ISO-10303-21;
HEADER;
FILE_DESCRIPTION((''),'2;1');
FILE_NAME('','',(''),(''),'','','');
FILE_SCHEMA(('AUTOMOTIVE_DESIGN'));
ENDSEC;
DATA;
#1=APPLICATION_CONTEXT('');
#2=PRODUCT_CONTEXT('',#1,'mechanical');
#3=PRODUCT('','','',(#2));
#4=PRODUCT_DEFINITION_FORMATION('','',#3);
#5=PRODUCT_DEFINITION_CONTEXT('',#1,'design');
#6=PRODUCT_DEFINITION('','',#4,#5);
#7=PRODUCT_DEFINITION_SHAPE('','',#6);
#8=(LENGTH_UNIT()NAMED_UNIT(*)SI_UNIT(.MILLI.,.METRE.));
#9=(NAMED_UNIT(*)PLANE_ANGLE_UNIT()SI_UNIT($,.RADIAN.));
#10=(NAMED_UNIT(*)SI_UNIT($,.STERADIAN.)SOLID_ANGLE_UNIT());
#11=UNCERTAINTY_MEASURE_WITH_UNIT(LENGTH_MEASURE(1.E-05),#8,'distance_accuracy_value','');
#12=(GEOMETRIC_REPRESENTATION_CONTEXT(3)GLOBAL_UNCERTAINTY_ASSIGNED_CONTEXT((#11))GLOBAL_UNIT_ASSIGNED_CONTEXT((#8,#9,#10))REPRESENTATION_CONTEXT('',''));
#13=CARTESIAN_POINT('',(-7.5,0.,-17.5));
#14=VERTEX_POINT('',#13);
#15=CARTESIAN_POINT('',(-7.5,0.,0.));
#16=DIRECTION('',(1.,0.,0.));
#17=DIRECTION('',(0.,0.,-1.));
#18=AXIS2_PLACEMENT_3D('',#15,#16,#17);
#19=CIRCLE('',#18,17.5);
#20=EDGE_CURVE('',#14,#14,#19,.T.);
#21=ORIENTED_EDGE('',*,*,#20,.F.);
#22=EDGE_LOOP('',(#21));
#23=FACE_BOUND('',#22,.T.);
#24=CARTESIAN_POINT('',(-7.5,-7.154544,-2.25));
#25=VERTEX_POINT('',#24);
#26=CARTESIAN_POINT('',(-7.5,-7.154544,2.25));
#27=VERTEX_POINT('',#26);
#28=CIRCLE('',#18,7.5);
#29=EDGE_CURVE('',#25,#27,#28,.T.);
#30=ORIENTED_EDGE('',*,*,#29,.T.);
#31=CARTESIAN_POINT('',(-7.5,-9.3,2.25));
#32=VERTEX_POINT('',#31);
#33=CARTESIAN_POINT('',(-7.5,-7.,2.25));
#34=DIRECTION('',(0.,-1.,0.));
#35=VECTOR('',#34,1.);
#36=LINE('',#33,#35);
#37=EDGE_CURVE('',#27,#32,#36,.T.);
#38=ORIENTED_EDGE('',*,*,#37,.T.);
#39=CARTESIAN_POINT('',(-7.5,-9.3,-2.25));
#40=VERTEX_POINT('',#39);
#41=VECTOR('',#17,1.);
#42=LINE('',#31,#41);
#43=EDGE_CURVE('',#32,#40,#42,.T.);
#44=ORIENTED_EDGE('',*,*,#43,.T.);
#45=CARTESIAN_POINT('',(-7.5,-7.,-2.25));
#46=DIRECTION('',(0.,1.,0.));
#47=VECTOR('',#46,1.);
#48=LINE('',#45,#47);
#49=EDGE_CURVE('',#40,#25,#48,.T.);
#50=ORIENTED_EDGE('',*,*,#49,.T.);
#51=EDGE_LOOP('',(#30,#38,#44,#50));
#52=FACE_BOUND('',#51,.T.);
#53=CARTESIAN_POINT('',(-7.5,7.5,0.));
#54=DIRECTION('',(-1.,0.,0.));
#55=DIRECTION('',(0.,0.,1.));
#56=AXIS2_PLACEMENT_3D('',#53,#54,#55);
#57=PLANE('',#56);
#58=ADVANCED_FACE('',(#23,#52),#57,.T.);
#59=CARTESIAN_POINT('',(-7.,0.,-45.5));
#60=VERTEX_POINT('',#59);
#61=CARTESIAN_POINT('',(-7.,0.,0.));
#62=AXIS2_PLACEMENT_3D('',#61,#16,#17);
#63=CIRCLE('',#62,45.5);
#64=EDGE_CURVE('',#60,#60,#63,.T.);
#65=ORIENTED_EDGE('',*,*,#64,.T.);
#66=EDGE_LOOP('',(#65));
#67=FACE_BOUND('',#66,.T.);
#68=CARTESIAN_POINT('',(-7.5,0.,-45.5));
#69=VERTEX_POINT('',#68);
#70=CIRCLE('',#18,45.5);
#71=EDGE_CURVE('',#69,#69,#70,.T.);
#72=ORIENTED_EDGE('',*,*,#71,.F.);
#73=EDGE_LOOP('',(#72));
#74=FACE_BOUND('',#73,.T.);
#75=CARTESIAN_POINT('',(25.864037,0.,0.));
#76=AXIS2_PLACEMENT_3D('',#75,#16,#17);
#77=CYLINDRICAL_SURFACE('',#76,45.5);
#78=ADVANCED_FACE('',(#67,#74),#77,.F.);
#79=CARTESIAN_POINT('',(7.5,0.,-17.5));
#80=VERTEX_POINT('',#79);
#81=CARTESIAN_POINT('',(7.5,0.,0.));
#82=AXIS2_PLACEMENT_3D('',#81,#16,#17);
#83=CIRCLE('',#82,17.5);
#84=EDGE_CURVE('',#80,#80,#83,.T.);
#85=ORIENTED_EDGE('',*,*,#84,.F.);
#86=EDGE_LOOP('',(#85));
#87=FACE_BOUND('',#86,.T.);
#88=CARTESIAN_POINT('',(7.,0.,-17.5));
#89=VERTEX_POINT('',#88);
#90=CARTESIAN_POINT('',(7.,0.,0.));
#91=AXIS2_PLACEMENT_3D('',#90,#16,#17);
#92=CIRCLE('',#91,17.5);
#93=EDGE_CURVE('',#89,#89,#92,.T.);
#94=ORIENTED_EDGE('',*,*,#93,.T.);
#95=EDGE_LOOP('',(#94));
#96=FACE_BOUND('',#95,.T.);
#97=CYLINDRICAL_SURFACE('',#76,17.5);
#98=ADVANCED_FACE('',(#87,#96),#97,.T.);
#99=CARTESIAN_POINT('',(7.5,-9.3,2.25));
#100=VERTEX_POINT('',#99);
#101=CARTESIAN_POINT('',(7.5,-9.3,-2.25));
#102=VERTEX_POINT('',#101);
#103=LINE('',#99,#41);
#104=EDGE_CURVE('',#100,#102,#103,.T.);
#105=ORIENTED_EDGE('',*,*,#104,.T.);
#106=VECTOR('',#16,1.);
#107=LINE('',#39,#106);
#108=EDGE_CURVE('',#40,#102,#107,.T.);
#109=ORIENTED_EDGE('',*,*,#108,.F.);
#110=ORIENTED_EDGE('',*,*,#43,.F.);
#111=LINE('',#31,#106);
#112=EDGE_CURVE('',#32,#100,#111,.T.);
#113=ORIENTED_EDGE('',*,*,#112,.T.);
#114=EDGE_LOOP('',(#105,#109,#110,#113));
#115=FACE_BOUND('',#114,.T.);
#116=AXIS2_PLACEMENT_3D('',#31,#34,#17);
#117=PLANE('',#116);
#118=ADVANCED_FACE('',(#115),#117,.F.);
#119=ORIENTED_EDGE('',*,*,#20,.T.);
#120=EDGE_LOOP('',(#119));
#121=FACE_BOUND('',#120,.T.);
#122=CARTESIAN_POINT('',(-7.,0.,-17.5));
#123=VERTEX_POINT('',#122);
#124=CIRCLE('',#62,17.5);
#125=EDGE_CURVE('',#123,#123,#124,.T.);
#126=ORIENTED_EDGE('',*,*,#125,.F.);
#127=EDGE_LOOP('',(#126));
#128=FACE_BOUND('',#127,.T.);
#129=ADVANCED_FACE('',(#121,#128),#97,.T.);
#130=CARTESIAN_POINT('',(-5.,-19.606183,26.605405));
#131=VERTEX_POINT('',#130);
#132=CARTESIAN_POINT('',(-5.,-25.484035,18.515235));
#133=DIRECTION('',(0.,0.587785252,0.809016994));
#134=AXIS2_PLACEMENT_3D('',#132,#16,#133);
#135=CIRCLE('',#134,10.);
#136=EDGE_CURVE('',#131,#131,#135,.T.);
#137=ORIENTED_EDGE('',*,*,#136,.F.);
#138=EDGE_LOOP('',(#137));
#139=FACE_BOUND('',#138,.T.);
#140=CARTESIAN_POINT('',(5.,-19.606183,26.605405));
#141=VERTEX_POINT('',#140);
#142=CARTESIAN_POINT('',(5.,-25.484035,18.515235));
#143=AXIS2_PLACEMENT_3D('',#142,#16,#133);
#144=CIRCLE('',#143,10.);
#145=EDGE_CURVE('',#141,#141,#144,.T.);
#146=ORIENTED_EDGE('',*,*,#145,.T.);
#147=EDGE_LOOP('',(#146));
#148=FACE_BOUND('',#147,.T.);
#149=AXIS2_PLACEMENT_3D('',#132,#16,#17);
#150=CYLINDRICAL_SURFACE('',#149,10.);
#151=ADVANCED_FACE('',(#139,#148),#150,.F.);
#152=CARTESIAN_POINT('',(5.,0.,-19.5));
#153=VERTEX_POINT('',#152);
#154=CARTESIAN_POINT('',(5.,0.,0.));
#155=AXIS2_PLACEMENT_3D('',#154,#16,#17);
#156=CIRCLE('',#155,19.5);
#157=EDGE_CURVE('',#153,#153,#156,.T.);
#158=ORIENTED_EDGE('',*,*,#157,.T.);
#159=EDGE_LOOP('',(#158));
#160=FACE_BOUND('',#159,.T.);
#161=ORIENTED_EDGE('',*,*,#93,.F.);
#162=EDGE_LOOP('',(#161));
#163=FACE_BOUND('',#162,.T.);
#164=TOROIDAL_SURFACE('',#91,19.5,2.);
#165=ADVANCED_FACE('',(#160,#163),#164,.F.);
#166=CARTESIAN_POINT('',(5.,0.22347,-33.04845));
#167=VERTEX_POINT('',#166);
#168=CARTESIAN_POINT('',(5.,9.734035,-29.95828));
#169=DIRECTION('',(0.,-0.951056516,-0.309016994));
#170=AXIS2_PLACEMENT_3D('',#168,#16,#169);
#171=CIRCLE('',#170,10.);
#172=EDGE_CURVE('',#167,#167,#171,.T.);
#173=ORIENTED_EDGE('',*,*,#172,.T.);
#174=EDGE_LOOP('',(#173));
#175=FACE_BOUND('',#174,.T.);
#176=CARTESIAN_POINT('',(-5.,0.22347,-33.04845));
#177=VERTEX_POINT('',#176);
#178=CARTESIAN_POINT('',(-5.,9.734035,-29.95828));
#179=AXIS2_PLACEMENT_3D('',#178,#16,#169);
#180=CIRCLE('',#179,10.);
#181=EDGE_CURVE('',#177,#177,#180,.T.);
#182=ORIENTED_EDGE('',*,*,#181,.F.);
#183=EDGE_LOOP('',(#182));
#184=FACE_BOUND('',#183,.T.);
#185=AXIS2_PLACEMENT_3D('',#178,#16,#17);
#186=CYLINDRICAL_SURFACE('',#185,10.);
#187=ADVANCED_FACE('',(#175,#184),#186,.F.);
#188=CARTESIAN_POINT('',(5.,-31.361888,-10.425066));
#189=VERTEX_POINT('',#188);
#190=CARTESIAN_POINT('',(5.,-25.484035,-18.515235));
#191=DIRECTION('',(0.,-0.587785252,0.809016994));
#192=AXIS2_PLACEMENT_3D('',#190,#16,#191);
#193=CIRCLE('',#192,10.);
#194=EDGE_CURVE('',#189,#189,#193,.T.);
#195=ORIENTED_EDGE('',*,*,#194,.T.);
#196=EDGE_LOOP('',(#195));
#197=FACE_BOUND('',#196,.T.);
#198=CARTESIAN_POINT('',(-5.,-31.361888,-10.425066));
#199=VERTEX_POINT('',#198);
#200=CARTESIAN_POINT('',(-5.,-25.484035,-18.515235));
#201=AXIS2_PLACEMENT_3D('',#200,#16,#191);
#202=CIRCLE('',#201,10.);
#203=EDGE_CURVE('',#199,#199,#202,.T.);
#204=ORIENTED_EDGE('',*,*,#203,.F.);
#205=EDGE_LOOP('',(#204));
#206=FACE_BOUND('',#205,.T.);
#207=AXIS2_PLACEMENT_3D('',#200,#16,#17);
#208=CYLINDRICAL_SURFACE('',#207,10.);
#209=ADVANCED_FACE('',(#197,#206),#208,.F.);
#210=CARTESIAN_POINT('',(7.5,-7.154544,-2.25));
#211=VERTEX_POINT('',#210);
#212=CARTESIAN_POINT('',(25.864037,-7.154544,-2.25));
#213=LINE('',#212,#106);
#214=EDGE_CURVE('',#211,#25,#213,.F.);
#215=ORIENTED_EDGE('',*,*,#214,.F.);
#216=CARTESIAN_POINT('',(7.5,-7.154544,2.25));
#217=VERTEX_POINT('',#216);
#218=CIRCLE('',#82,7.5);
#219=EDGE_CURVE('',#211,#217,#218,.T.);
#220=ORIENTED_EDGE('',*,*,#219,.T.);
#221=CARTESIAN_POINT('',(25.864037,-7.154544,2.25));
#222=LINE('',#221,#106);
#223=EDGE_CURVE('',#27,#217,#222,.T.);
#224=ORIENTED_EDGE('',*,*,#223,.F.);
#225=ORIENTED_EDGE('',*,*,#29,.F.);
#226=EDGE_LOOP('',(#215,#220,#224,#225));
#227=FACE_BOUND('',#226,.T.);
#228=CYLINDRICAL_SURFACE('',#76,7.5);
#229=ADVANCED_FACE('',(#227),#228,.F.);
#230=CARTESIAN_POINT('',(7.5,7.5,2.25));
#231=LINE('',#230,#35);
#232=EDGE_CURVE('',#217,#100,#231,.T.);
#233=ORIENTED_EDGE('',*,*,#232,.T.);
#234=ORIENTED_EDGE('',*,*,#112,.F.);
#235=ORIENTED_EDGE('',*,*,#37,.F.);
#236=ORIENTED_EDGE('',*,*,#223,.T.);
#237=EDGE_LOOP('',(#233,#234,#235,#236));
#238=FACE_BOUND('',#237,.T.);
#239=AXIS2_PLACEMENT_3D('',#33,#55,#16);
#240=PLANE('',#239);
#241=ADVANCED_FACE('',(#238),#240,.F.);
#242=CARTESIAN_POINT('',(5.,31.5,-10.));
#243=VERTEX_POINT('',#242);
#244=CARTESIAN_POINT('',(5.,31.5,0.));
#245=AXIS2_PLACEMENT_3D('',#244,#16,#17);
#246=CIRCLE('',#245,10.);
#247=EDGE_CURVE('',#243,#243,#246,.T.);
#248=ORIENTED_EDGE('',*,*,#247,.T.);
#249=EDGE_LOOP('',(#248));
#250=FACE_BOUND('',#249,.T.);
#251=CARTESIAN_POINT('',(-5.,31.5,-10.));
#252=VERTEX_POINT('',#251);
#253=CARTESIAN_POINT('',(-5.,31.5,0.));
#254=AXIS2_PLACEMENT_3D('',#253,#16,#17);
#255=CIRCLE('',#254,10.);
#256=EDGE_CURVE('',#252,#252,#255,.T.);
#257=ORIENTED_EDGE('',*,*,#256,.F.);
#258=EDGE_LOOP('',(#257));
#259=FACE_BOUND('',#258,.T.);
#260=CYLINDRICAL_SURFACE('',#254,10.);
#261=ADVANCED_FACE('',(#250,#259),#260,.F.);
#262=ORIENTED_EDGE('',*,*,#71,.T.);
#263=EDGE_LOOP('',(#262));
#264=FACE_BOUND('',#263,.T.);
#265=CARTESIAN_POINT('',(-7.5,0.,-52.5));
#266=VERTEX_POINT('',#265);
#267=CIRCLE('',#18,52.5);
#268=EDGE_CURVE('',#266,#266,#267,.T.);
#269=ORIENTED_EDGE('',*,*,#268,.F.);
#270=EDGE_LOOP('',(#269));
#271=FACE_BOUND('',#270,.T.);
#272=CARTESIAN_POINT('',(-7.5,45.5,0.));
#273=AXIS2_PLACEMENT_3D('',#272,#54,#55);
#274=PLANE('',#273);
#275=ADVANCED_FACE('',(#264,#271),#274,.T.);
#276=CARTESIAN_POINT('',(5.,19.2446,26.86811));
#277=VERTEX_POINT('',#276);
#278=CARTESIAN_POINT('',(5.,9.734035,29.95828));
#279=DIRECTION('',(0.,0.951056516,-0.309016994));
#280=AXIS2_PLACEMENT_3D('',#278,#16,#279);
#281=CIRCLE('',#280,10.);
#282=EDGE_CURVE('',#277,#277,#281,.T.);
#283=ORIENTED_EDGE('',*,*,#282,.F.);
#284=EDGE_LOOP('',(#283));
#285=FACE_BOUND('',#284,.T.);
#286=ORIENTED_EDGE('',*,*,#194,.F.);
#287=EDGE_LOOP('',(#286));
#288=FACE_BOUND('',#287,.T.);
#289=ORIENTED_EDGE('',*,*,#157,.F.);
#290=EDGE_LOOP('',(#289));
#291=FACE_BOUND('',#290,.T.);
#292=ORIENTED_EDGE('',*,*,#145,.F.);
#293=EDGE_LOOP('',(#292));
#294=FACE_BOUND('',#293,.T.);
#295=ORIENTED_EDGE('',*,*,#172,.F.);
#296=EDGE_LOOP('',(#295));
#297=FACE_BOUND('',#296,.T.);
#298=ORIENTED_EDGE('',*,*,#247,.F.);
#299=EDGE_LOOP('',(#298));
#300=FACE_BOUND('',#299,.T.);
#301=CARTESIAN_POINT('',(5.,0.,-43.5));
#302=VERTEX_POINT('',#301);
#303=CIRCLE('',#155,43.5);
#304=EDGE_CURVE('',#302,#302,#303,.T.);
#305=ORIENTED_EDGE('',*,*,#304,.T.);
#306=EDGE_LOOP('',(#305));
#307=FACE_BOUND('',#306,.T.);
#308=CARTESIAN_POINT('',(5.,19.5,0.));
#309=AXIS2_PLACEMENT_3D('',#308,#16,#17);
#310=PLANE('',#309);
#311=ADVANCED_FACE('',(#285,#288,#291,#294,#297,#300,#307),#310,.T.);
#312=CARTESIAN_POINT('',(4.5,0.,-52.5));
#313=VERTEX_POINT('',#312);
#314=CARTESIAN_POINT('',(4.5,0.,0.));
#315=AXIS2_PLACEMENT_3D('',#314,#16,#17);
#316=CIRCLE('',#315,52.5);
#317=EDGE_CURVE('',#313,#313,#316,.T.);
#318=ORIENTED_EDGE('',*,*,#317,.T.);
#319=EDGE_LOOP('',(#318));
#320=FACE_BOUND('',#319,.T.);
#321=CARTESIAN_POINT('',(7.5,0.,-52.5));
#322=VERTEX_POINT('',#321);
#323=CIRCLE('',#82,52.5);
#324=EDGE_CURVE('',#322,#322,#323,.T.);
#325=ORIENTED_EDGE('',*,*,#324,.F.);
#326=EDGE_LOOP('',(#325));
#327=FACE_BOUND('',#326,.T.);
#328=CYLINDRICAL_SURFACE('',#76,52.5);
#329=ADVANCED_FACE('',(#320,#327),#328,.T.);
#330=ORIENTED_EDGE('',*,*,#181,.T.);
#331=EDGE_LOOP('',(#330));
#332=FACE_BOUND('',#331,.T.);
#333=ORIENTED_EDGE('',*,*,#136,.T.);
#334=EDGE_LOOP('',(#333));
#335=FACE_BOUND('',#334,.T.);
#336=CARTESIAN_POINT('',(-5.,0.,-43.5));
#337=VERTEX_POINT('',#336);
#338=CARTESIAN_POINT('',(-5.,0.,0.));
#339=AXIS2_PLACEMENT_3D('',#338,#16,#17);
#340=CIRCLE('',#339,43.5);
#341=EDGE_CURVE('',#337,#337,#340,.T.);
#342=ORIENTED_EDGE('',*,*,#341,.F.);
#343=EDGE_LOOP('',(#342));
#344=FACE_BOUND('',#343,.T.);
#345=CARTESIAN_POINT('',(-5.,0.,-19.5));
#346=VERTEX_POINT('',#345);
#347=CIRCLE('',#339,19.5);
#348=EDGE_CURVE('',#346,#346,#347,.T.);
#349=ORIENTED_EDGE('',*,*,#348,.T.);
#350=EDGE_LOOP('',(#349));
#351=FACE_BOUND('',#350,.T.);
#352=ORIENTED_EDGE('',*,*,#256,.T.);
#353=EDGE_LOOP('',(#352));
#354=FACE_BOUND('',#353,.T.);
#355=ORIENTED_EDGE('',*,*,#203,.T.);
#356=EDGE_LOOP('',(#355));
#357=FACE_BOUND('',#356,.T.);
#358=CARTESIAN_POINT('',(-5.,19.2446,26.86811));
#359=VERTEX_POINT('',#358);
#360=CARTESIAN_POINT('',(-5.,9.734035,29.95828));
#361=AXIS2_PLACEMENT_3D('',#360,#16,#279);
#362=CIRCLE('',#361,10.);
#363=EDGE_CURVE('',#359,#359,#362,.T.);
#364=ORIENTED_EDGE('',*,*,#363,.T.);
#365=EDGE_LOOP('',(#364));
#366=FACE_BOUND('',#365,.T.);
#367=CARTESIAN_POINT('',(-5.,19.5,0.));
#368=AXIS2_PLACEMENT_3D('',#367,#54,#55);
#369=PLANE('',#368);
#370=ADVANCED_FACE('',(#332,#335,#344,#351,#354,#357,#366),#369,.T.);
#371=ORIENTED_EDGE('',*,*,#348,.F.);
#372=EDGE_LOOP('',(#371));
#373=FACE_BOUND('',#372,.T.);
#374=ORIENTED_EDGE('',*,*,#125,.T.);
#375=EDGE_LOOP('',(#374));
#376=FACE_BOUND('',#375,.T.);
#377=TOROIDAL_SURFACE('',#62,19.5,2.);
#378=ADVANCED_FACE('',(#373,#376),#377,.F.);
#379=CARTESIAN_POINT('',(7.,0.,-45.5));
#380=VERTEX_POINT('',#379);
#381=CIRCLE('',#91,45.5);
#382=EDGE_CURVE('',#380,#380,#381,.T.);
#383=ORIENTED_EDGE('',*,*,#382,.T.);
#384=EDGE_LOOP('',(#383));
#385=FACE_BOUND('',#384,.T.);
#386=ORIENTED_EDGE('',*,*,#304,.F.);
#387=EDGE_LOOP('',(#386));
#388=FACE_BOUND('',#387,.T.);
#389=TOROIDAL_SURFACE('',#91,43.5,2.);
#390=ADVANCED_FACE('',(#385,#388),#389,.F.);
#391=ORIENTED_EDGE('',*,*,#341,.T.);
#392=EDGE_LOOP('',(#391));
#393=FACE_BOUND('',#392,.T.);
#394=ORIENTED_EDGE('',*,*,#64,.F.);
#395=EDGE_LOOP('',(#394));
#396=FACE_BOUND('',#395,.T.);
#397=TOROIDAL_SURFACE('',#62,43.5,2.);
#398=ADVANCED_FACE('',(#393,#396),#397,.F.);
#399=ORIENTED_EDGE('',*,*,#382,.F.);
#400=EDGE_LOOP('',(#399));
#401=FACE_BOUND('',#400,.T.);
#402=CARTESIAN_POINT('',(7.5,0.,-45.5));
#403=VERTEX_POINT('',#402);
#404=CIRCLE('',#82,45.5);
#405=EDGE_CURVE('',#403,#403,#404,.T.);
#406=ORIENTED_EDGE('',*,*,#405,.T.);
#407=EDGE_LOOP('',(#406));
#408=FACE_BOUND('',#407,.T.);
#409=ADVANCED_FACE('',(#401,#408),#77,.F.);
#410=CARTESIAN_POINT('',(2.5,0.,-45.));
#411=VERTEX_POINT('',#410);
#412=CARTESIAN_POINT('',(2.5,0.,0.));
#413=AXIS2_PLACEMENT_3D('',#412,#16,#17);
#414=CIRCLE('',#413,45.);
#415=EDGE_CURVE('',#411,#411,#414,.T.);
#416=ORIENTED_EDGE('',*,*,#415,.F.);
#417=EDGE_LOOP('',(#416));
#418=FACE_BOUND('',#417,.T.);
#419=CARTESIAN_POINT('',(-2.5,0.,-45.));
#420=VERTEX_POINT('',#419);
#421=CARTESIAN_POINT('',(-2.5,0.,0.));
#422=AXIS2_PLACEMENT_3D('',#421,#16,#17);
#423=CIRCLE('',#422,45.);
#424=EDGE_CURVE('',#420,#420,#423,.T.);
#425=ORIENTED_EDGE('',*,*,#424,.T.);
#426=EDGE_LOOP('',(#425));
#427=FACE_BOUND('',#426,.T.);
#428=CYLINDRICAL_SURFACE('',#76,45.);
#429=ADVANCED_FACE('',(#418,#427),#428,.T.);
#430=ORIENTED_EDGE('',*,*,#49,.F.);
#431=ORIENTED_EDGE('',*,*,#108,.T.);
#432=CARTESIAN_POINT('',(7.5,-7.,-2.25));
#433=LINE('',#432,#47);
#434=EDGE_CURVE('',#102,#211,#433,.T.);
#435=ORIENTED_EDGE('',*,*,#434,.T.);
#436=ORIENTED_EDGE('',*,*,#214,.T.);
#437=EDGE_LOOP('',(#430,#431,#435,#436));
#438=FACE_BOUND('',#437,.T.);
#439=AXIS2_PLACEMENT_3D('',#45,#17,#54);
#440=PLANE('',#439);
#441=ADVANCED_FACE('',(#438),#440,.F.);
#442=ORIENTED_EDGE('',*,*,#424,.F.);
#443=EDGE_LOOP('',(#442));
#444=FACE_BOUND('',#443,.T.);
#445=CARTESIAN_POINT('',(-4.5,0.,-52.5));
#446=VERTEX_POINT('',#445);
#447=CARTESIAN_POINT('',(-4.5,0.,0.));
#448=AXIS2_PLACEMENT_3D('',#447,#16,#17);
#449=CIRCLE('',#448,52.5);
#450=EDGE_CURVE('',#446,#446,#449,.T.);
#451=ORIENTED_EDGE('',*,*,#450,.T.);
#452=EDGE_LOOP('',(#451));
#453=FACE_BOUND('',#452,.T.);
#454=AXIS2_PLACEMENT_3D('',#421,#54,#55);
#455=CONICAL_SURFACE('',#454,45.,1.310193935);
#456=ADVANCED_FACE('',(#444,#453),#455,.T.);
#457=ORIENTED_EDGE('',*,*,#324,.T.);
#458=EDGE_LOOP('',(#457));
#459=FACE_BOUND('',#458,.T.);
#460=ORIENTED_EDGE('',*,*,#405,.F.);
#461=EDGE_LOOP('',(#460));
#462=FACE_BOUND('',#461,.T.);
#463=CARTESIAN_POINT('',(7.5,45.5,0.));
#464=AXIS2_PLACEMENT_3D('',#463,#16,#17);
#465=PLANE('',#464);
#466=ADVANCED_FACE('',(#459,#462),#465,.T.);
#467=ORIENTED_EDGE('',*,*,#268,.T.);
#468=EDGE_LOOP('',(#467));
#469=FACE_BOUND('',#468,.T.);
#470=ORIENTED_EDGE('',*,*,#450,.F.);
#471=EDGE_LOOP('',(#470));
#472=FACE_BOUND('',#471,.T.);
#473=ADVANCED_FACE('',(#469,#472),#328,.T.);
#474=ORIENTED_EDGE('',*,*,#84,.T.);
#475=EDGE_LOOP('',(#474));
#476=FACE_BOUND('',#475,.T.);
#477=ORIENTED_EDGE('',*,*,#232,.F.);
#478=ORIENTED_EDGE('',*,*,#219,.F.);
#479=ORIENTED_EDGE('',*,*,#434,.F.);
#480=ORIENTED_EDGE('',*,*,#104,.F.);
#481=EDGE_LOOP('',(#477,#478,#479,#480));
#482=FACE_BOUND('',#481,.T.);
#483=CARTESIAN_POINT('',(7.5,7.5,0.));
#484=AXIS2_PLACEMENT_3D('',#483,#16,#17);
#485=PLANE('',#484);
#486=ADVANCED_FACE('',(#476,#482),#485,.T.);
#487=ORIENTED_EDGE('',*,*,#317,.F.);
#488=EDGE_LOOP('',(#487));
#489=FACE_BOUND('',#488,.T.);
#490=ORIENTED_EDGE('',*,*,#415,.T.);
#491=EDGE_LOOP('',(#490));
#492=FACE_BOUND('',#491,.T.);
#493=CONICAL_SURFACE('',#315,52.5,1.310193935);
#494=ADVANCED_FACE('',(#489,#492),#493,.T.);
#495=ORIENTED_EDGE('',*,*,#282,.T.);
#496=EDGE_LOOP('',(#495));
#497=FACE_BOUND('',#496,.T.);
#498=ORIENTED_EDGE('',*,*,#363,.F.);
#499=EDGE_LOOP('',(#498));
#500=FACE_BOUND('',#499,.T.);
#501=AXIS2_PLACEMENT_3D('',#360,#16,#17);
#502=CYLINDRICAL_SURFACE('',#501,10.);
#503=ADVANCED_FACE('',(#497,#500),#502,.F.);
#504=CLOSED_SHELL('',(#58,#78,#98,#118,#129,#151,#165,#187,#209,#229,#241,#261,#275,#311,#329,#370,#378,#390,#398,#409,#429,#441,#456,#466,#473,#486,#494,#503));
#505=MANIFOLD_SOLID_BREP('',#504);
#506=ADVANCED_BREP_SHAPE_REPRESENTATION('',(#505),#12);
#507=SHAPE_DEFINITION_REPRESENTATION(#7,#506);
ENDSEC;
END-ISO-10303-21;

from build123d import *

# Parameters (mm, degrees)
SKETCH2_R         = 10
EXTRUDE1_DEPTH    = 10
CIRPATTERN1_COUNT = 5
SKETCH3_W         = 4.5
SKETCH3_H         = 2.3
EXTRUDE2_DEPTH    = 16


with BuildPart() as part:
    # Sketch1 → Revolve1 (revolve)
    with BuildSketch(Plane.XY):
        with BuildLine():
            Line((-7.5, 7.5), (7.5, 7.5))
            Line((7.5, 7.5), (7.5, 17.5))
            Line((7.5, 17.5), (7, 17.5))
            ThreePointArc((7, 17.5), (5.585786438, 18.085786438), (5, 19.5))
            Line((5, 19.5), (5, 43.5))
            ThreePointArc((5, 43.5), (5.585786438, 44.914213562), (7, 45.5))
            Line((7, 45.5), (7.5, 45.5))
            Line((7.5, 45.5), (7.5, 52.5))
            Line((7.5, 52.5), (4.5, 52.5))
            Line((4.5, 52.5), (2.5, 45))
            Line((2.5, 45), (-2.5, 45))
            Line((-2.5, 45), (-4.5, 52.5))
            Line((-4.5, 52.5), (-7.5, 52.5))
            Line((-7.5, 52.5), (-7.5, 45.5))
            Line((-7.5, 45.5), (-7, 45.5))
            ThreePointArc((-7, 45.5), (-5.585786438, 44.914213562), (-5, 43.5))
            Line((-5, 43.5), (-5, 19.5))
            ThreePointArc((-5, 19.5), (-5.585786438, 18.085786438), (-7, 17.5))
            Line((-7, 17.5), (-7.5, 17.5))
            Line((-7.5, 17.5), (-7.5, 7.5))
        make_face()
    revolve(axis=Axis((25.864037296, 0, 0), (-1, 0, 0)))

    # Sketch2 → Extrude1 (cut)
    with BuildSketch(Plane(origin=(5, 0, 0), x_dir=(0, 0, -1), z_dir=(1, 0, 0))):
        with Locations((0, 31.5)):
            Circle(SKETCH2_R)
    extrude1 = extrude(amount=-EXTRUDE1_DEPTH, mode=Mode.SUBTRACT)

    # CirPattern1: Extrude1 ×5 about axis
    cirpattern1_axis = Axis((0, 0, 0), (1, 0, 0))
    for i in range(1, CIRPATTERN1_COUNT):
        add(extrude1.rotate(cirpattern1_axis, i * 360 / CIRPATTERN1_COUNT), mode=Mode.SUBTRACT)

    # Sketch3 → Extrude2 (cut, through all)
    with BuildSketch(Plane(origin=(7.5, 0, 0), x_dir=(0, 0, -1), z_dir=(1, 0, 0))):
        with Locations((0, -8.15)):
            Rectangle(SKETCH3_W, SKETCH3_H)
    extrude(amount=-EXTRUDE2_DEPTH, mode=Mode.SUBTRACT)


solid = part.part
